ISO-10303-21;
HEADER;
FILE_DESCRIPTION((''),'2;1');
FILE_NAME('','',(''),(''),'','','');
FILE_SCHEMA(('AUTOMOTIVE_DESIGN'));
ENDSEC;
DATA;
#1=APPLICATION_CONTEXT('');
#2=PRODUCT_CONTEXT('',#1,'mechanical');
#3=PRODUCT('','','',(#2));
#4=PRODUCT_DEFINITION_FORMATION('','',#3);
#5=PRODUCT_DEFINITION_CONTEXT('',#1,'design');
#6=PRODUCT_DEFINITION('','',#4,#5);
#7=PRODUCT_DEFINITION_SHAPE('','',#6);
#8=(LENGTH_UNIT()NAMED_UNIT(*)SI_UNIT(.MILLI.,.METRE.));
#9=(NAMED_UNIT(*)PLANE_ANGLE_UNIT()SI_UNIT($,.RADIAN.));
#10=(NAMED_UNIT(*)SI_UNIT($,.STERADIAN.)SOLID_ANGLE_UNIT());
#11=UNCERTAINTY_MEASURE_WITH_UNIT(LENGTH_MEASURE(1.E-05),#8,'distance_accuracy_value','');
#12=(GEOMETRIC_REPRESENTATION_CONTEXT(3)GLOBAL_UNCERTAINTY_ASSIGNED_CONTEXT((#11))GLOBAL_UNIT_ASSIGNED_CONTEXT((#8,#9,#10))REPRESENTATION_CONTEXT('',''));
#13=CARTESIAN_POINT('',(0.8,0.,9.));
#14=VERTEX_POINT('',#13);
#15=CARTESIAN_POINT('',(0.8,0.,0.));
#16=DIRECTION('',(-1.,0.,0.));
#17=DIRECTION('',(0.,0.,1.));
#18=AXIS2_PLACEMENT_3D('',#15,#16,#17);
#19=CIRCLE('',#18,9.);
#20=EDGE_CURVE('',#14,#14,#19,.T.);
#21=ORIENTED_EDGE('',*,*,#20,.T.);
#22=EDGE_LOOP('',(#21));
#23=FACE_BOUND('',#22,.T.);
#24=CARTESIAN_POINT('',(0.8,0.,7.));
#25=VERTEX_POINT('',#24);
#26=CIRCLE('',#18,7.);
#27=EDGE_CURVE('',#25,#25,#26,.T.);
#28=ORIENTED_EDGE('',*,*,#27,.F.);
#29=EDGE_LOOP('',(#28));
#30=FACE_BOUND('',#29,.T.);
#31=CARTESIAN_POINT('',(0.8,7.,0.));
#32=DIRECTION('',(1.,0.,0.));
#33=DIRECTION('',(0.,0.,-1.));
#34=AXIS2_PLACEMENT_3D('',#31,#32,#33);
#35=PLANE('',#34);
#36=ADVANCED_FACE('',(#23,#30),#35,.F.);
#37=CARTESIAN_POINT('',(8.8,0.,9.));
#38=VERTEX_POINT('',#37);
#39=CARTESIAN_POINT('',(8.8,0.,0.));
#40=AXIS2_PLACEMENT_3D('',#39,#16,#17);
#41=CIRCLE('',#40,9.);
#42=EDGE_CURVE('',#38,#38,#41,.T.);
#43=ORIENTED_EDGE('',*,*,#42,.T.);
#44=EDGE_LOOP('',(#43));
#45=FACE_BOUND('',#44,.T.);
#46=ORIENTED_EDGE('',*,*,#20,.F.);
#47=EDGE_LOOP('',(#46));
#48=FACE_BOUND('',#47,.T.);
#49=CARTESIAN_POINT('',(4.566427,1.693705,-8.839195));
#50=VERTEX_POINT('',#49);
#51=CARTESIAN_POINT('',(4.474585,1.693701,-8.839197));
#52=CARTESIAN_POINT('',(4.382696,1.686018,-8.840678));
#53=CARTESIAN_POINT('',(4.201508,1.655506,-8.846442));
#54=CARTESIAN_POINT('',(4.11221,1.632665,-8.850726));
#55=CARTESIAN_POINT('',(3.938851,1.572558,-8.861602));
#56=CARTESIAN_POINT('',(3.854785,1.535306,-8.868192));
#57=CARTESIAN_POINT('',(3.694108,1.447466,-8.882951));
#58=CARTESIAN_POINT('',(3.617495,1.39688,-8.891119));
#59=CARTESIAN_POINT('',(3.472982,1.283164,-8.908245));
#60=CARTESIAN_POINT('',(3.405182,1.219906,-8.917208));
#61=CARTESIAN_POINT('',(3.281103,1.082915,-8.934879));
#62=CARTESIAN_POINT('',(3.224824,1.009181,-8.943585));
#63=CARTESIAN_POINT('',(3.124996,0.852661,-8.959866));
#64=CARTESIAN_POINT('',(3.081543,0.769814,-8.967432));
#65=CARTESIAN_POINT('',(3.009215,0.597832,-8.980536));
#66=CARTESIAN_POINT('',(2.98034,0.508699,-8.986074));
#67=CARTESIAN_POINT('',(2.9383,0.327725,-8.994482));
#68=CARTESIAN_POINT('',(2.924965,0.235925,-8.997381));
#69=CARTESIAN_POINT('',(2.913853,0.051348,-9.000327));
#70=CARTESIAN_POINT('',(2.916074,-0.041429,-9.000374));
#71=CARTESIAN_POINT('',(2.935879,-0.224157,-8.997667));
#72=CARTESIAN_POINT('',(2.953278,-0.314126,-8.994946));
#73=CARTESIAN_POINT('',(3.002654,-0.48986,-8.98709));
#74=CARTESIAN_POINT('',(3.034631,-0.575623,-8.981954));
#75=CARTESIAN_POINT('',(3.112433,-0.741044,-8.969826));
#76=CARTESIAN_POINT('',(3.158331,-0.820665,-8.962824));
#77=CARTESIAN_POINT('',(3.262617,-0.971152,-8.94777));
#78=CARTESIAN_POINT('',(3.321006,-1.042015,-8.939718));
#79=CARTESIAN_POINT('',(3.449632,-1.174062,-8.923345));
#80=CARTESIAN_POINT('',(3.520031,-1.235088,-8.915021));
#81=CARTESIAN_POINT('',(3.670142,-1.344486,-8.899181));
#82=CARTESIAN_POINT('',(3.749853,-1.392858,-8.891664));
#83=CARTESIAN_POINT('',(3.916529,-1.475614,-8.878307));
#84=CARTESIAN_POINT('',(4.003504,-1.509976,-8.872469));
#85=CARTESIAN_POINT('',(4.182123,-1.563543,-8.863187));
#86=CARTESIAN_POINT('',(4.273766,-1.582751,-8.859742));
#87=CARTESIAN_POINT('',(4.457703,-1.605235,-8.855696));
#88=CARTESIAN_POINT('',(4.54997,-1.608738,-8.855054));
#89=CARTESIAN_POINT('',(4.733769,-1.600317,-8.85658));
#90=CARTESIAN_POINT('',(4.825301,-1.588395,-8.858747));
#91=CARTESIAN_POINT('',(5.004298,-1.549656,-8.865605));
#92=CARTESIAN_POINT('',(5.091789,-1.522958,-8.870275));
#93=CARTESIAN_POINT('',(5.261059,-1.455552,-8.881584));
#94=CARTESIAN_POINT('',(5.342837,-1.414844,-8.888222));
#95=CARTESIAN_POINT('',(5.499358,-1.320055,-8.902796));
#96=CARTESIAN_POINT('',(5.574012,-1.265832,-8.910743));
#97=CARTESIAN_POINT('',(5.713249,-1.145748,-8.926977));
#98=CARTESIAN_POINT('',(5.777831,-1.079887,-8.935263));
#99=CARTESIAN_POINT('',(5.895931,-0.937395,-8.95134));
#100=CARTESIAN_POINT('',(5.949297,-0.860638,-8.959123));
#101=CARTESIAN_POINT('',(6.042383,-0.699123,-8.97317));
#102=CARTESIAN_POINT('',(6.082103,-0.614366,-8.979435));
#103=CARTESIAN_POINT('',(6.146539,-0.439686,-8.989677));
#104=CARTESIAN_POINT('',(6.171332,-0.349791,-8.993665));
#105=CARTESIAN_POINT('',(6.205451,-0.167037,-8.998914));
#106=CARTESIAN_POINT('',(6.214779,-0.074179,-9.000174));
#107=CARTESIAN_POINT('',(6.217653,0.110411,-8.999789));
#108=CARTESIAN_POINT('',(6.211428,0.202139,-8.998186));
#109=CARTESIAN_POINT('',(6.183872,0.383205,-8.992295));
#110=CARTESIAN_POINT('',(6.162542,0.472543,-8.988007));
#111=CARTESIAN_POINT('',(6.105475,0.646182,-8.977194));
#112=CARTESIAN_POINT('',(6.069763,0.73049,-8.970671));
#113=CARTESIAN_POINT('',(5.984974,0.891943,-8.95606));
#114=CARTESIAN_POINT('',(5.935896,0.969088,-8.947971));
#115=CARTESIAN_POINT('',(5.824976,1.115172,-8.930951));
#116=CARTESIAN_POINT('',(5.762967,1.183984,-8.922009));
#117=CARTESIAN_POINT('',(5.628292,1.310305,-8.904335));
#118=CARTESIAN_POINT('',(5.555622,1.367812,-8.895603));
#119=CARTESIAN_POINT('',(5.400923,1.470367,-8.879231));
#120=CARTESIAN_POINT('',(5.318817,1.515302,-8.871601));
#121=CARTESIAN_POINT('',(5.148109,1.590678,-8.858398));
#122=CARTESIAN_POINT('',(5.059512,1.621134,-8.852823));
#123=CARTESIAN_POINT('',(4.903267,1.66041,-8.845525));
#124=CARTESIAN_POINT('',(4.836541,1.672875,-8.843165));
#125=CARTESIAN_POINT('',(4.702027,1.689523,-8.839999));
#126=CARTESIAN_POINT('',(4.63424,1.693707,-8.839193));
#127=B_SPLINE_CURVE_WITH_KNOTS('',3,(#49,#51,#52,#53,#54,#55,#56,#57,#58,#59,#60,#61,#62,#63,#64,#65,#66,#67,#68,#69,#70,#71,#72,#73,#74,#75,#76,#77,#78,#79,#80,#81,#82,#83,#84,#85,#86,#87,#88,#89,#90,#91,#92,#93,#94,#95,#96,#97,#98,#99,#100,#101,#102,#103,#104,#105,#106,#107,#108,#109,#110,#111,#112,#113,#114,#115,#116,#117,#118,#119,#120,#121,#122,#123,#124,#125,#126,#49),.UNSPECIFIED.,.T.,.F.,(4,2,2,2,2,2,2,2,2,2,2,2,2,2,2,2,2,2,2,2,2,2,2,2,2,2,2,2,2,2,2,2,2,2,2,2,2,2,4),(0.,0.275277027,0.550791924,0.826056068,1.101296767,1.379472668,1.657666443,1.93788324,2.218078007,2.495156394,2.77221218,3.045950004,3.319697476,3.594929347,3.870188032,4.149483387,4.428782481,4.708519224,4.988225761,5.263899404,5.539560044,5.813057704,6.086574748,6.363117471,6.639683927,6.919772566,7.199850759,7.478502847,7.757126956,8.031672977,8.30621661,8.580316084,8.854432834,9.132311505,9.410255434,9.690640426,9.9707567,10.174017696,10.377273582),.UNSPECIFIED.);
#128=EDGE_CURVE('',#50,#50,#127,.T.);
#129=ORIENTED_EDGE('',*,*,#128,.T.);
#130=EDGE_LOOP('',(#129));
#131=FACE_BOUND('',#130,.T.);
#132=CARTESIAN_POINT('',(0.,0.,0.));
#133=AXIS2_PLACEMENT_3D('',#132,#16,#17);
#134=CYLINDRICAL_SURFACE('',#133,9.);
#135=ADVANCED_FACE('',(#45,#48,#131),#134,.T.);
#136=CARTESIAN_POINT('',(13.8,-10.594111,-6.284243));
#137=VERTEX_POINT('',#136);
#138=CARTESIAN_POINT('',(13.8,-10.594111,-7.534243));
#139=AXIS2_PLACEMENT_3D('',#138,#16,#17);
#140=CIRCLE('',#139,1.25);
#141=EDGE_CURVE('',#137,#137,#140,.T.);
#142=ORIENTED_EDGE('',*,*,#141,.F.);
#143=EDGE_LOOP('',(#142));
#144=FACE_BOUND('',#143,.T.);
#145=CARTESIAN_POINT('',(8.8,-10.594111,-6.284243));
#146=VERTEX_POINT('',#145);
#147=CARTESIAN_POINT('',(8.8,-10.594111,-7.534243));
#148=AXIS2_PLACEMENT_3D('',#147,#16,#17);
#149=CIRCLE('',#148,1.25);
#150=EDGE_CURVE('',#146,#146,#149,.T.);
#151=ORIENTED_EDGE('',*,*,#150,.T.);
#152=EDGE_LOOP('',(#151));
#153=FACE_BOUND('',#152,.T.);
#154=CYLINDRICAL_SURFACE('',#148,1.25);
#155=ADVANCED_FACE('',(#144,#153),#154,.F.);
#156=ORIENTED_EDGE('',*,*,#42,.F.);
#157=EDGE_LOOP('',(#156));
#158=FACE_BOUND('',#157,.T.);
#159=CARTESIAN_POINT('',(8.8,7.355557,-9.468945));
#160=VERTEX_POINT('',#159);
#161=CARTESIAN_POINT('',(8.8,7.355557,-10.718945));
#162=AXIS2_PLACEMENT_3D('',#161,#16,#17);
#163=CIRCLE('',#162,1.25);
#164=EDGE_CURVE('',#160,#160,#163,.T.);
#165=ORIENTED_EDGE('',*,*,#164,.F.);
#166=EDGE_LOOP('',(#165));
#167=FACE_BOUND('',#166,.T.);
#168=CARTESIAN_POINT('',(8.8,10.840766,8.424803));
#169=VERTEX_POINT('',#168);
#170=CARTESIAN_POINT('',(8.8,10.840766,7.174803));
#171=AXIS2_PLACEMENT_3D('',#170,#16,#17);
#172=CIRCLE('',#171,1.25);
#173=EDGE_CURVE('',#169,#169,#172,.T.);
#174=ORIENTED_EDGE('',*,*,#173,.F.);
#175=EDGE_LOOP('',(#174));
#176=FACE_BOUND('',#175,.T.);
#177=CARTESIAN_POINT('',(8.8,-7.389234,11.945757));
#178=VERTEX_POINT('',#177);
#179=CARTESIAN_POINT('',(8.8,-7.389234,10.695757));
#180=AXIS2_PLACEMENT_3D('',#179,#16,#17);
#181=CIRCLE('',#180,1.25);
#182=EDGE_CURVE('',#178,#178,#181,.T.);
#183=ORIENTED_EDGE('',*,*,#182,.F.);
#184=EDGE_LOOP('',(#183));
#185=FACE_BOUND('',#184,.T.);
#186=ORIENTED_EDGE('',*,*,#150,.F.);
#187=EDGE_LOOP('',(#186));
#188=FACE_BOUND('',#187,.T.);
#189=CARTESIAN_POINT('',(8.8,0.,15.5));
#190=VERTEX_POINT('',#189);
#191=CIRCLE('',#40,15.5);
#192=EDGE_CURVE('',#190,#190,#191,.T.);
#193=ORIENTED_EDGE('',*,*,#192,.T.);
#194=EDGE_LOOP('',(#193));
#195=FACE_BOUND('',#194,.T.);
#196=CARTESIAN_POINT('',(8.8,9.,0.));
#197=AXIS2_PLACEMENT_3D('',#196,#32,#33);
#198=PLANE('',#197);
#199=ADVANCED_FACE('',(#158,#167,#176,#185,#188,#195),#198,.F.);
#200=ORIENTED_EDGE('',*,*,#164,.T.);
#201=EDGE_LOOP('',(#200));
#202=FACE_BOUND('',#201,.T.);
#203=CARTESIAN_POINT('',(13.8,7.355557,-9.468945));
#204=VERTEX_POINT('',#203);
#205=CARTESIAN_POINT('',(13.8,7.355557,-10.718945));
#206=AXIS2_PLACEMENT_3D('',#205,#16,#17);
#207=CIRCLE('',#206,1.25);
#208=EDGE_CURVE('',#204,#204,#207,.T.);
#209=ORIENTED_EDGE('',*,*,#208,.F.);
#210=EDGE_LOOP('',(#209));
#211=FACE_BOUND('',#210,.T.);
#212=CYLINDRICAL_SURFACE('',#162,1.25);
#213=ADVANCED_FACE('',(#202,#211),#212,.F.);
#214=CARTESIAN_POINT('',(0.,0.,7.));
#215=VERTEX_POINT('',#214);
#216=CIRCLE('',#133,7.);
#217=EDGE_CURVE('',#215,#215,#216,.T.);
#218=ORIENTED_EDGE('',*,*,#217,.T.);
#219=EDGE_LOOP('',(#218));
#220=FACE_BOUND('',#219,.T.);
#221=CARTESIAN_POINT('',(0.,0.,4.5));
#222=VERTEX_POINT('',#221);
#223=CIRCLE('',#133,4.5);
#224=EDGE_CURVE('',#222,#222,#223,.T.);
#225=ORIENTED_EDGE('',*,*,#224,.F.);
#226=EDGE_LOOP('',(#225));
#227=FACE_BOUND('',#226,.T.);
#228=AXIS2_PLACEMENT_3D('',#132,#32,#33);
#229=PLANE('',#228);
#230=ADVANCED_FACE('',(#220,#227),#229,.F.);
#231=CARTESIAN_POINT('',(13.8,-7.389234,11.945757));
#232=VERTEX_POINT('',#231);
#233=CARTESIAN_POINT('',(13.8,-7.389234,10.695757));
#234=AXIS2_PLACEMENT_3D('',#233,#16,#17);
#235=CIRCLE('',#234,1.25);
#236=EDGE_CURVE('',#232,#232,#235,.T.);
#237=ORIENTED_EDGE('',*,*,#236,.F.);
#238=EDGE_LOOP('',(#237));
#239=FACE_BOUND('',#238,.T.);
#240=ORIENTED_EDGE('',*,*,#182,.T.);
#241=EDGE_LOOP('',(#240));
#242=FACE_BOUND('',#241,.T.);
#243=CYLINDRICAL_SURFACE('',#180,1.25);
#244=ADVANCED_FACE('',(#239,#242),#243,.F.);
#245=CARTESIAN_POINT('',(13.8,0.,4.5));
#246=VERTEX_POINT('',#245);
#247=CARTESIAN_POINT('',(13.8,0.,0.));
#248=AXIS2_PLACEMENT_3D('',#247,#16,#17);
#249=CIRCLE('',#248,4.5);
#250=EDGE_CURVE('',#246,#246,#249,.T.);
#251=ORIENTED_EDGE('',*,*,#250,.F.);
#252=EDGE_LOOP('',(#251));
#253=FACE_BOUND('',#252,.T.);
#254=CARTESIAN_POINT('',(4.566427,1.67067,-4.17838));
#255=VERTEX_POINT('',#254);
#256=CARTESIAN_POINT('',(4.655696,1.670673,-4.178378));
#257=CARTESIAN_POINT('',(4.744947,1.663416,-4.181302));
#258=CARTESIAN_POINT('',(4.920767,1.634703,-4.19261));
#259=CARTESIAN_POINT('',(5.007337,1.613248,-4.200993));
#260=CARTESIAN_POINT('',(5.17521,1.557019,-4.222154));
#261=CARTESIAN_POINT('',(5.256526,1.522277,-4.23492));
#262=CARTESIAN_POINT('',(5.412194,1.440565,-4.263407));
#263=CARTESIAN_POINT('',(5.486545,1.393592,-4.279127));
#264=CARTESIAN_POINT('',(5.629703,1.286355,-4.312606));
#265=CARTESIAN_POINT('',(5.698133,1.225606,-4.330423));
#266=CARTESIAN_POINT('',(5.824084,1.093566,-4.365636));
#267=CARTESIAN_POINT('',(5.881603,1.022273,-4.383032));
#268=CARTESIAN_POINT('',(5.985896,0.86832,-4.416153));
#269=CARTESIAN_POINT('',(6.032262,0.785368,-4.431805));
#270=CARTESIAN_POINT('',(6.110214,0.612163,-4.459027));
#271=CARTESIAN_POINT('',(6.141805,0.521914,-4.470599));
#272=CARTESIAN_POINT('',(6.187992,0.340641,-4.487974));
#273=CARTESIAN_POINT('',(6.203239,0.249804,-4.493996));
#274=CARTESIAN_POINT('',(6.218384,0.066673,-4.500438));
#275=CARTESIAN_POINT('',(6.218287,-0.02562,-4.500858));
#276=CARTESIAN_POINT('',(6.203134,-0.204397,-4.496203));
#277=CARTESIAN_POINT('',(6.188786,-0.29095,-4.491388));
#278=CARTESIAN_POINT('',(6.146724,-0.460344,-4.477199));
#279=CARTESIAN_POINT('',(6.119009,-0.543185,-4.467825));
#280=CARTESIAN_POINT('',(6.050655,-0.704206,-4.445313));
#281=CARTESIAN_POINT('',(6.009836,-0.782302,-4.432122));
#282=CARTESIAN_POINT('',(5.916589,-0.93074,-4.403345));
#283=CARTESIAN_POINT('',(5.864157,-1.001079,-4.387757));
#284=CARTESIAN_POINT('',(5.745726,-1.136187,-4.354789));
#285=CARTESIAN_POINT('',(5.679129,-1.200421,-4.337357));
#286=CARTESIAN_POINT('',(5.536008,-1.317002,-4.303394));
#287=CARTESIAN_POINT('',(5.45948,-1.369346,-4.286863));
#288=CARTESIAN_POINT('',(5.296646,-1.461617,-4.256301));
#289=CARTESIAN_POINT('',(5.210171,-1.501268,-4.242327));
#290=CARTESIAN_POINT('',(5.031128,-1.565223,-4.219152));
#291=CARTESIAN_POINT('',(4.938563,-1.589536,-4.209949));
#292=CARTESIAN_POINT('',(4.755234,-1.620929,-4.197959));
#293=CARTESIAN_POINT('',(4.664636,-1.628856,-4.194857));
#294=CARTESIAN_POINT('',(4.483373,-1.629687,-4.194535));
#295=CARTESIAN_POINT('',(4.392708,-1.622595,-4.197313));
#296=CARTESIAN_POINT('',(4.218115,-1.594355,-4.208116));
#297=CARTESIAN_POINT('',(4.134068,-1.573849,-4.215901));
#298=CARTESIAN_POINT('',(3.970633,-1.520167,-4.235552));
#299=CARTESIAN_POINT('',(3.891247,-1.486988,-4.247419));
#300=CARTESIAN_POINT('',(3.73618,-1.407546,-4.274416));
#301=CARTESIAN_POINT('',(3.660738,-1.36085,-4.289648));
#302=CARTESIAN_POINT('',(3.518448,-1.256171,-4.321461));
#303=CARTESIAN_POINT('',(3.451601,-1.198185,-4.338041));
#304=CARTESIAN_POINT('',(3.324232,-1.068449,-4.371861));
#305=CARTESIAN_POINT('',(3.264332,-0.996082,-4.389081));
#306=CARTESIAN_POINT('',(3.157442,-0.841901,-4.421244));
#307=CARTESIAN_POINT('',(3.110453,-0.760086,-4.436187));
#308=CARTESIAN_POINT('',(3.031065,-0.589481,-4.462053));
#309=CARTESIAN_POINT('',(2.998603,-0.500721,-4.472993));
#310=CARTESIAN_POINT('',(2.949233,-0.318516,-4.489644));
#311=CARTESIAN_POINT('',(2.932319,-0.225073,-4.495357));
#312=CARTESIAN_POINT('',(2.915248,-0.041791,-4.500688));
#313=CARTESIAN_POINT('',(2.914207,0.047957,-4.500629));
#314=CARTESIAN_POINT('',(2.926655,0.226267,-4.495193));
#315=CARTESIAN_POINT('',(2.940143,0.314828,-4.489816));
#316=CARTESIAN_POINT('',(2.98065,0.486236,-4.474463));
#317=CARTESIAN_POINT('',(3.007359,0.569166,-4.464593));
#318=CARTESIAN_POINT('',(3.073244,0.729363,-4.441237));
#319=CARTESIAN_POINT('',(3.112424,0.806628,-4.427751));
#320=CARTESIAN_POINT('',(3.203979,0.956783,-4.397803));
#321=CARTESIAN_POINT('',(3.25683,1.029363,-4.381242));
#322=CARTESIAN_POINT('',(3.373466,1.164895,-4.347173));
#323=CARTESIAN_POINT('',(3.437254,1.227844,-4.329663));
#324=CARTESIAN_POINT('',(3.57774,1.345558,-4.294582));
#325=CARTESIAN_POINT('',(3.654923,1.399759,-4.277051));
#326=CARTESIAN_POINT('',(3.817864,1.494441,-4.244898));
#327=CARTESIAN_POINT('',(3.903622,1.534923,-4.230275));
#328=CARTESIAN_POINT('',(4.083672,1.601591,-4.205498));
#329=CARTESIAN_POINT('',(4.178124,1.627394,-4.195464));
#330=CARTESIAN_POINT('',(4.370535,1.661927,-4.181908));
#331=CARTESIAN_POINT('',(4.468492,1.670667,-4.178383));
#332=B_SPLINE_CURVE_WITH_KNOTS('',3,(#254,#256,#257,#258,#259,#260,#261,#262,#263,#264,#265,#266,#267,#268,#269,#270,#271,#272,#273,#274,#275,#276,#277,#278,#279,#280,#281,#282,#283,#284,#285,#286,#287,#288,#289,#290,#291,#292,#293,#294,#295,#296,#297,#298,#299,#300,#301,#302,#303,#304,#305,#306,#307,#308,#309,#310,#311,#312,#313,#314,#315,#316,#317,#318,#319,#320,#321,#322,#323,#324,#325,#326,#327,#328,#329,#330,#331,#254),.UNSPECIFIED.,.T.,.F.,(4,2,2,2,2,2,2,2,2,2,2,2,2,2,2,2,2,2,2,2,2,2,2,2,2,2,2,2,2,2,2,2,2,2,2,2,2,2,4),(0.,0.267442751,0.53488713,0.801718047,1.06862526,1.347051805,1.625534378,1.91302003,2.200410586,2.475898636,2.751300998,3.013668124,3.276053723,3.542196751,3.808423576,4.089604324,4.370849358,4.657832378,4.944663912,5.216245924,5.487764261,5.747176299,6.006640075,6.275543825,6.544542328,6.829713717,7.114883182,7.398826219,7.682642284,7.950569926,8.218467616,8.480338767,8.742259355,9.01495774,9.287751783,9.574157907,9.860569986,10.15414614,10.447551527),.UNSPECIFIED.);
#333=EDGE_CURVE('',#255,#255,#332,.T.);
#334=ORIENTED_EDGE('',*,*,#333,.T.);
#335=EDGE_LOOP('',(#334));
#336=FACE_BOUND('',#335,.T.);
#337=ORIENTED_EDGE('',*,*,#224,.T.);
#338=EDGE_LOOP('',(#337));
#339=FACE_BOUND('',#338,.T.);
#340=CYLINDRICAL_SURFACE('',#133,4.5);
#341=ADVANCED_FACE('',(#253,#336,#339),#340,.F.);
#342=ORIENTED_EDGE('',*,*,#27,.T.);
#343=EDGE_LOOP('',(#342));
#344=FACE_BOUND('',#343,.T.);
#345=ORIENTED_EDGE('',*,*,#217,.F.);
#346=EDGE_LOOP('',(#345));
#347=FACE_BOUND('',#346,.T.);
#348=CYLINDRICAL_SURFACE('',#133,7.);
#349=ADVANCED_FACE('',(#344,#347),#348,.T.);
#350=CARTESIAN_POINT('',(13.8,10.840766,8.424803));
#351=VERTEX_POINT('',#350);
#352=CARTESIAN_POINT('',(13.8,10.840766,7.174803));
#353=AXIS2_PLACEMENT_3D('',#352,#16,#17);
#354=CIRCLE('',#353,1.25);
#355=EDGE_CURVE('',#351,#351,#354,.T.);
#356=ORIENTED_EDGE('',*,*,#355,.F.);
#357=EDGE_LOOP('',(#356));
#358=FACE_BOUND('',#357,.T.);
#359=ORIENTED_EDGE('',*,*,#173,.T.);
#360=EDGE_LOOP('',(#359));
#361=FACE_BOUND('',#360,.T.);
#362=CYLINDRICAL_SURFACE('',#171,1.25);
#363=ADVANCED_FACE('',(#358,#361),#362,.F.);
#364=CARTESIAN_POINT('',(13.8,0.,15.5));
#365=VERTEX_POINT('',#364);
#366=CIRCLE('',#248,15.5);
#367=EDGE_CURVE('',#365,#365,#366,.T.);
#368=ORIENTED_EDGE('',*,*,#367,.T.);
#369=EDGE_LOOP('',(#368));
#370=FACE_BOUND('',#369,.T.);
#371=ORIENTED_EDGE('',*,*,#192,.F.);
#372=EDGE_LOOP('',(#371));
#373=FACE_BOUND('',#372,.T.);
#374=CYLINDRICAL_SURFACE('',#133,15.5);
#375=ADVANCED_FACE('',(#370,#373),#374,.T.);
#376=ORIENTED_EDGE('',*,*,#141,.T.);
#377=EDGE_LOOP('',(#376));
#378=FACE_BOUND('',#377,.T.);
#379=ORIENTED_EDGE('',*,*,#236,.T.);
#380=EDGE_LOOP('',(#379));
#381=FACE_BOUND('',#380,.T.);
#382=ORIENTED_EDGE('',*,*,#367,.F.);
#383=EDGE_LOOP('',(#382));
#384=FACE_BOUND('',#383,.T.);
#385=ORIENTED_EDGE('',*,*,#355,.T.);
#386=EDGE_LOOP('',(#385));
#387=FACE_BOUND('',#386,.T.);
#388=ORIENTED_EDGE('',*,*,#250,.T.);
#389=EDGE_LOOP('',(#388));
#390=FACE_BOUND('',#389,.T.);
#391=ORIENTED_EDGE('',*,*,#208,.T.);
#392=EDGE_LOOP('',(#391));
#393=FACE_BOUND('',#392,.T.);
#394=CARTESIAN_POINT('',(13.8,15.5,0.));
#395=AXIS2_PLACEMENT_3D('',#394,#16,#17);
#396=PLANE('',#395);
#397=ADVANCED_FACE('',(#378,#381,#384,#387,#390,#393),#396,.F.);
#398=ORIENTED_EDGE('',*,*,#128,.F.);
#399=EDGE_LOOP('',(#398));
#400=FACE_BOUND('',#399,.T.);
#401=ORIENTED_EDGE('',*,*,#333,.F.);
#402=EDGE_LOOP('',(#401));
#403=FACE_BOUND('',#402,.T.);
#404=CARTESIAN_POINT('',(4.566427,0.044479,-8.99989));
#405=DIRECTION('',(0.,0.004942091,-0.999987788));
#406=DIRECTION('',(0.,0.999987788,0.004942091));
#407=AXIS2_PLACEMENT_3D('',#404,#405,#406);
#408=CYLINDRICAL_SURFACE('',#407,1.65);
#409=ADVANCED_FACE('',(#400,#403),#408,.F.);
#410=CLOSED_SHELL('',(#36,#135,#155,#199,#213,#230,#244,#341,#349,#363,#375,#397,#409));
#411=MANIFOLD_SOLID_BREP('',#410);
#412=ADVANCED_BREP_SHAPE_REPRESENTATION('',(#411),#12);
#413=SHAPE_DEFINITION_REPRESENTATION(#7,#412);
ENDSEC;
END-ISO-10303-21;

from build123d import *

# Parameters (mm, degrees)
D_GAGEMENT_M81_D                              = 9
D_GAGEMENT_M81_DEPTH                          = 13.8
TROU_POUR_TARAUDAGE_POUR_TROU_TARAUD_M4_REACH = 26.576
TROU_POUR_TARAUDAGE_POUR_TROU_TARAUD_2_R      = 1.65
TROU_POUR_TARAUDAGE_POUR_TROU_TARAUD_M3_D     = 2.5
TROU_POUR_TARAUDAGE_POUR_TROU_TARAUD_M3_DEPTH = 5


with BuildPart() as part:
    # Esquisse1 → Révolution1 (revolve)
    with BuildSketch(Plane.XY, mode=Mode.PRIVATE) as r_volution1_sk:
        Polygon((0, 0), (0, 7), (0.8, 7), (0.8, 9), (8.8, 9), (8.8, 15.5), (13.8, 15.5), (13.8, 0), align=None)
    revolve(r_volution1_sk.sketch.rotate(Axis((0, 0, 0), (1, 0, 0)), 90), axis=Axis((0, 0, 0), (1, 0, 0)))  # turned: the seam where the file's is

    # Dégagement M81
    with Locations(Plane.ZY):
        with Locations((0, 0)):
            Hole(D_GAGEMENT_M81_D / 2, depth=D_GAGEMENT_M81_DEPTH)

    # Trou pour taraudage pour trou taraud 2 (on position points) → Trou pour taraudage pour trou taraudé M4x0.71 (cut, up to next)
    with BuildSketch(Plane(origin=(4.566426523, 0.044478819, -8.99989009), x_dir=(0, -0.999987788, -0.004942091), z_dir=(0, 0.004942091, -0.999987788)), mode=Mode.PRIVATE) as trou_pour_taraudage_pour_trou_taraud_m4_sk1:
        Circle(TROU_POUR_TARAUDAGE_POUR_TROU_TARAUD_2_R)
    trou_pour_taraudage_pour_trou_taraud_m4_tool1 = extrude(trou_pour_taraudage_pour_trou_taraud_m4_sk1.sketch, amount=-TROU_POUR_TARAUDAGE_POUR_TROU_TARAUD_M4_REACH, mode=Mode.PRIVATE) & part.part
    add(trou_pour_taraudage_pour_trou_taraud_m4_tool1.solids().sort_by_distance((4.566427, 0.044479, -8.99989))[0], mode=Mode.SUBTRACT)

    # Trou pour taraudage pour trou taraudé M3x0.51
    with Locations(Plane.ZY.offset(-8.8)):
        with Locations((-10.718944801, 7.355557243), (7.174803364, 10.840765503), (10.695756801, -7.389234497), (-7.534243199, -10.594110601)):
            Hole(TROU_POUR_TARAUDAGE_POUR_TROU_TARAUD_M3_D / 2, depth=TROU_POUR_TARAUDAGE_POUR_TROU_TARAUD_M3_DEPTH)


solid = part.part
